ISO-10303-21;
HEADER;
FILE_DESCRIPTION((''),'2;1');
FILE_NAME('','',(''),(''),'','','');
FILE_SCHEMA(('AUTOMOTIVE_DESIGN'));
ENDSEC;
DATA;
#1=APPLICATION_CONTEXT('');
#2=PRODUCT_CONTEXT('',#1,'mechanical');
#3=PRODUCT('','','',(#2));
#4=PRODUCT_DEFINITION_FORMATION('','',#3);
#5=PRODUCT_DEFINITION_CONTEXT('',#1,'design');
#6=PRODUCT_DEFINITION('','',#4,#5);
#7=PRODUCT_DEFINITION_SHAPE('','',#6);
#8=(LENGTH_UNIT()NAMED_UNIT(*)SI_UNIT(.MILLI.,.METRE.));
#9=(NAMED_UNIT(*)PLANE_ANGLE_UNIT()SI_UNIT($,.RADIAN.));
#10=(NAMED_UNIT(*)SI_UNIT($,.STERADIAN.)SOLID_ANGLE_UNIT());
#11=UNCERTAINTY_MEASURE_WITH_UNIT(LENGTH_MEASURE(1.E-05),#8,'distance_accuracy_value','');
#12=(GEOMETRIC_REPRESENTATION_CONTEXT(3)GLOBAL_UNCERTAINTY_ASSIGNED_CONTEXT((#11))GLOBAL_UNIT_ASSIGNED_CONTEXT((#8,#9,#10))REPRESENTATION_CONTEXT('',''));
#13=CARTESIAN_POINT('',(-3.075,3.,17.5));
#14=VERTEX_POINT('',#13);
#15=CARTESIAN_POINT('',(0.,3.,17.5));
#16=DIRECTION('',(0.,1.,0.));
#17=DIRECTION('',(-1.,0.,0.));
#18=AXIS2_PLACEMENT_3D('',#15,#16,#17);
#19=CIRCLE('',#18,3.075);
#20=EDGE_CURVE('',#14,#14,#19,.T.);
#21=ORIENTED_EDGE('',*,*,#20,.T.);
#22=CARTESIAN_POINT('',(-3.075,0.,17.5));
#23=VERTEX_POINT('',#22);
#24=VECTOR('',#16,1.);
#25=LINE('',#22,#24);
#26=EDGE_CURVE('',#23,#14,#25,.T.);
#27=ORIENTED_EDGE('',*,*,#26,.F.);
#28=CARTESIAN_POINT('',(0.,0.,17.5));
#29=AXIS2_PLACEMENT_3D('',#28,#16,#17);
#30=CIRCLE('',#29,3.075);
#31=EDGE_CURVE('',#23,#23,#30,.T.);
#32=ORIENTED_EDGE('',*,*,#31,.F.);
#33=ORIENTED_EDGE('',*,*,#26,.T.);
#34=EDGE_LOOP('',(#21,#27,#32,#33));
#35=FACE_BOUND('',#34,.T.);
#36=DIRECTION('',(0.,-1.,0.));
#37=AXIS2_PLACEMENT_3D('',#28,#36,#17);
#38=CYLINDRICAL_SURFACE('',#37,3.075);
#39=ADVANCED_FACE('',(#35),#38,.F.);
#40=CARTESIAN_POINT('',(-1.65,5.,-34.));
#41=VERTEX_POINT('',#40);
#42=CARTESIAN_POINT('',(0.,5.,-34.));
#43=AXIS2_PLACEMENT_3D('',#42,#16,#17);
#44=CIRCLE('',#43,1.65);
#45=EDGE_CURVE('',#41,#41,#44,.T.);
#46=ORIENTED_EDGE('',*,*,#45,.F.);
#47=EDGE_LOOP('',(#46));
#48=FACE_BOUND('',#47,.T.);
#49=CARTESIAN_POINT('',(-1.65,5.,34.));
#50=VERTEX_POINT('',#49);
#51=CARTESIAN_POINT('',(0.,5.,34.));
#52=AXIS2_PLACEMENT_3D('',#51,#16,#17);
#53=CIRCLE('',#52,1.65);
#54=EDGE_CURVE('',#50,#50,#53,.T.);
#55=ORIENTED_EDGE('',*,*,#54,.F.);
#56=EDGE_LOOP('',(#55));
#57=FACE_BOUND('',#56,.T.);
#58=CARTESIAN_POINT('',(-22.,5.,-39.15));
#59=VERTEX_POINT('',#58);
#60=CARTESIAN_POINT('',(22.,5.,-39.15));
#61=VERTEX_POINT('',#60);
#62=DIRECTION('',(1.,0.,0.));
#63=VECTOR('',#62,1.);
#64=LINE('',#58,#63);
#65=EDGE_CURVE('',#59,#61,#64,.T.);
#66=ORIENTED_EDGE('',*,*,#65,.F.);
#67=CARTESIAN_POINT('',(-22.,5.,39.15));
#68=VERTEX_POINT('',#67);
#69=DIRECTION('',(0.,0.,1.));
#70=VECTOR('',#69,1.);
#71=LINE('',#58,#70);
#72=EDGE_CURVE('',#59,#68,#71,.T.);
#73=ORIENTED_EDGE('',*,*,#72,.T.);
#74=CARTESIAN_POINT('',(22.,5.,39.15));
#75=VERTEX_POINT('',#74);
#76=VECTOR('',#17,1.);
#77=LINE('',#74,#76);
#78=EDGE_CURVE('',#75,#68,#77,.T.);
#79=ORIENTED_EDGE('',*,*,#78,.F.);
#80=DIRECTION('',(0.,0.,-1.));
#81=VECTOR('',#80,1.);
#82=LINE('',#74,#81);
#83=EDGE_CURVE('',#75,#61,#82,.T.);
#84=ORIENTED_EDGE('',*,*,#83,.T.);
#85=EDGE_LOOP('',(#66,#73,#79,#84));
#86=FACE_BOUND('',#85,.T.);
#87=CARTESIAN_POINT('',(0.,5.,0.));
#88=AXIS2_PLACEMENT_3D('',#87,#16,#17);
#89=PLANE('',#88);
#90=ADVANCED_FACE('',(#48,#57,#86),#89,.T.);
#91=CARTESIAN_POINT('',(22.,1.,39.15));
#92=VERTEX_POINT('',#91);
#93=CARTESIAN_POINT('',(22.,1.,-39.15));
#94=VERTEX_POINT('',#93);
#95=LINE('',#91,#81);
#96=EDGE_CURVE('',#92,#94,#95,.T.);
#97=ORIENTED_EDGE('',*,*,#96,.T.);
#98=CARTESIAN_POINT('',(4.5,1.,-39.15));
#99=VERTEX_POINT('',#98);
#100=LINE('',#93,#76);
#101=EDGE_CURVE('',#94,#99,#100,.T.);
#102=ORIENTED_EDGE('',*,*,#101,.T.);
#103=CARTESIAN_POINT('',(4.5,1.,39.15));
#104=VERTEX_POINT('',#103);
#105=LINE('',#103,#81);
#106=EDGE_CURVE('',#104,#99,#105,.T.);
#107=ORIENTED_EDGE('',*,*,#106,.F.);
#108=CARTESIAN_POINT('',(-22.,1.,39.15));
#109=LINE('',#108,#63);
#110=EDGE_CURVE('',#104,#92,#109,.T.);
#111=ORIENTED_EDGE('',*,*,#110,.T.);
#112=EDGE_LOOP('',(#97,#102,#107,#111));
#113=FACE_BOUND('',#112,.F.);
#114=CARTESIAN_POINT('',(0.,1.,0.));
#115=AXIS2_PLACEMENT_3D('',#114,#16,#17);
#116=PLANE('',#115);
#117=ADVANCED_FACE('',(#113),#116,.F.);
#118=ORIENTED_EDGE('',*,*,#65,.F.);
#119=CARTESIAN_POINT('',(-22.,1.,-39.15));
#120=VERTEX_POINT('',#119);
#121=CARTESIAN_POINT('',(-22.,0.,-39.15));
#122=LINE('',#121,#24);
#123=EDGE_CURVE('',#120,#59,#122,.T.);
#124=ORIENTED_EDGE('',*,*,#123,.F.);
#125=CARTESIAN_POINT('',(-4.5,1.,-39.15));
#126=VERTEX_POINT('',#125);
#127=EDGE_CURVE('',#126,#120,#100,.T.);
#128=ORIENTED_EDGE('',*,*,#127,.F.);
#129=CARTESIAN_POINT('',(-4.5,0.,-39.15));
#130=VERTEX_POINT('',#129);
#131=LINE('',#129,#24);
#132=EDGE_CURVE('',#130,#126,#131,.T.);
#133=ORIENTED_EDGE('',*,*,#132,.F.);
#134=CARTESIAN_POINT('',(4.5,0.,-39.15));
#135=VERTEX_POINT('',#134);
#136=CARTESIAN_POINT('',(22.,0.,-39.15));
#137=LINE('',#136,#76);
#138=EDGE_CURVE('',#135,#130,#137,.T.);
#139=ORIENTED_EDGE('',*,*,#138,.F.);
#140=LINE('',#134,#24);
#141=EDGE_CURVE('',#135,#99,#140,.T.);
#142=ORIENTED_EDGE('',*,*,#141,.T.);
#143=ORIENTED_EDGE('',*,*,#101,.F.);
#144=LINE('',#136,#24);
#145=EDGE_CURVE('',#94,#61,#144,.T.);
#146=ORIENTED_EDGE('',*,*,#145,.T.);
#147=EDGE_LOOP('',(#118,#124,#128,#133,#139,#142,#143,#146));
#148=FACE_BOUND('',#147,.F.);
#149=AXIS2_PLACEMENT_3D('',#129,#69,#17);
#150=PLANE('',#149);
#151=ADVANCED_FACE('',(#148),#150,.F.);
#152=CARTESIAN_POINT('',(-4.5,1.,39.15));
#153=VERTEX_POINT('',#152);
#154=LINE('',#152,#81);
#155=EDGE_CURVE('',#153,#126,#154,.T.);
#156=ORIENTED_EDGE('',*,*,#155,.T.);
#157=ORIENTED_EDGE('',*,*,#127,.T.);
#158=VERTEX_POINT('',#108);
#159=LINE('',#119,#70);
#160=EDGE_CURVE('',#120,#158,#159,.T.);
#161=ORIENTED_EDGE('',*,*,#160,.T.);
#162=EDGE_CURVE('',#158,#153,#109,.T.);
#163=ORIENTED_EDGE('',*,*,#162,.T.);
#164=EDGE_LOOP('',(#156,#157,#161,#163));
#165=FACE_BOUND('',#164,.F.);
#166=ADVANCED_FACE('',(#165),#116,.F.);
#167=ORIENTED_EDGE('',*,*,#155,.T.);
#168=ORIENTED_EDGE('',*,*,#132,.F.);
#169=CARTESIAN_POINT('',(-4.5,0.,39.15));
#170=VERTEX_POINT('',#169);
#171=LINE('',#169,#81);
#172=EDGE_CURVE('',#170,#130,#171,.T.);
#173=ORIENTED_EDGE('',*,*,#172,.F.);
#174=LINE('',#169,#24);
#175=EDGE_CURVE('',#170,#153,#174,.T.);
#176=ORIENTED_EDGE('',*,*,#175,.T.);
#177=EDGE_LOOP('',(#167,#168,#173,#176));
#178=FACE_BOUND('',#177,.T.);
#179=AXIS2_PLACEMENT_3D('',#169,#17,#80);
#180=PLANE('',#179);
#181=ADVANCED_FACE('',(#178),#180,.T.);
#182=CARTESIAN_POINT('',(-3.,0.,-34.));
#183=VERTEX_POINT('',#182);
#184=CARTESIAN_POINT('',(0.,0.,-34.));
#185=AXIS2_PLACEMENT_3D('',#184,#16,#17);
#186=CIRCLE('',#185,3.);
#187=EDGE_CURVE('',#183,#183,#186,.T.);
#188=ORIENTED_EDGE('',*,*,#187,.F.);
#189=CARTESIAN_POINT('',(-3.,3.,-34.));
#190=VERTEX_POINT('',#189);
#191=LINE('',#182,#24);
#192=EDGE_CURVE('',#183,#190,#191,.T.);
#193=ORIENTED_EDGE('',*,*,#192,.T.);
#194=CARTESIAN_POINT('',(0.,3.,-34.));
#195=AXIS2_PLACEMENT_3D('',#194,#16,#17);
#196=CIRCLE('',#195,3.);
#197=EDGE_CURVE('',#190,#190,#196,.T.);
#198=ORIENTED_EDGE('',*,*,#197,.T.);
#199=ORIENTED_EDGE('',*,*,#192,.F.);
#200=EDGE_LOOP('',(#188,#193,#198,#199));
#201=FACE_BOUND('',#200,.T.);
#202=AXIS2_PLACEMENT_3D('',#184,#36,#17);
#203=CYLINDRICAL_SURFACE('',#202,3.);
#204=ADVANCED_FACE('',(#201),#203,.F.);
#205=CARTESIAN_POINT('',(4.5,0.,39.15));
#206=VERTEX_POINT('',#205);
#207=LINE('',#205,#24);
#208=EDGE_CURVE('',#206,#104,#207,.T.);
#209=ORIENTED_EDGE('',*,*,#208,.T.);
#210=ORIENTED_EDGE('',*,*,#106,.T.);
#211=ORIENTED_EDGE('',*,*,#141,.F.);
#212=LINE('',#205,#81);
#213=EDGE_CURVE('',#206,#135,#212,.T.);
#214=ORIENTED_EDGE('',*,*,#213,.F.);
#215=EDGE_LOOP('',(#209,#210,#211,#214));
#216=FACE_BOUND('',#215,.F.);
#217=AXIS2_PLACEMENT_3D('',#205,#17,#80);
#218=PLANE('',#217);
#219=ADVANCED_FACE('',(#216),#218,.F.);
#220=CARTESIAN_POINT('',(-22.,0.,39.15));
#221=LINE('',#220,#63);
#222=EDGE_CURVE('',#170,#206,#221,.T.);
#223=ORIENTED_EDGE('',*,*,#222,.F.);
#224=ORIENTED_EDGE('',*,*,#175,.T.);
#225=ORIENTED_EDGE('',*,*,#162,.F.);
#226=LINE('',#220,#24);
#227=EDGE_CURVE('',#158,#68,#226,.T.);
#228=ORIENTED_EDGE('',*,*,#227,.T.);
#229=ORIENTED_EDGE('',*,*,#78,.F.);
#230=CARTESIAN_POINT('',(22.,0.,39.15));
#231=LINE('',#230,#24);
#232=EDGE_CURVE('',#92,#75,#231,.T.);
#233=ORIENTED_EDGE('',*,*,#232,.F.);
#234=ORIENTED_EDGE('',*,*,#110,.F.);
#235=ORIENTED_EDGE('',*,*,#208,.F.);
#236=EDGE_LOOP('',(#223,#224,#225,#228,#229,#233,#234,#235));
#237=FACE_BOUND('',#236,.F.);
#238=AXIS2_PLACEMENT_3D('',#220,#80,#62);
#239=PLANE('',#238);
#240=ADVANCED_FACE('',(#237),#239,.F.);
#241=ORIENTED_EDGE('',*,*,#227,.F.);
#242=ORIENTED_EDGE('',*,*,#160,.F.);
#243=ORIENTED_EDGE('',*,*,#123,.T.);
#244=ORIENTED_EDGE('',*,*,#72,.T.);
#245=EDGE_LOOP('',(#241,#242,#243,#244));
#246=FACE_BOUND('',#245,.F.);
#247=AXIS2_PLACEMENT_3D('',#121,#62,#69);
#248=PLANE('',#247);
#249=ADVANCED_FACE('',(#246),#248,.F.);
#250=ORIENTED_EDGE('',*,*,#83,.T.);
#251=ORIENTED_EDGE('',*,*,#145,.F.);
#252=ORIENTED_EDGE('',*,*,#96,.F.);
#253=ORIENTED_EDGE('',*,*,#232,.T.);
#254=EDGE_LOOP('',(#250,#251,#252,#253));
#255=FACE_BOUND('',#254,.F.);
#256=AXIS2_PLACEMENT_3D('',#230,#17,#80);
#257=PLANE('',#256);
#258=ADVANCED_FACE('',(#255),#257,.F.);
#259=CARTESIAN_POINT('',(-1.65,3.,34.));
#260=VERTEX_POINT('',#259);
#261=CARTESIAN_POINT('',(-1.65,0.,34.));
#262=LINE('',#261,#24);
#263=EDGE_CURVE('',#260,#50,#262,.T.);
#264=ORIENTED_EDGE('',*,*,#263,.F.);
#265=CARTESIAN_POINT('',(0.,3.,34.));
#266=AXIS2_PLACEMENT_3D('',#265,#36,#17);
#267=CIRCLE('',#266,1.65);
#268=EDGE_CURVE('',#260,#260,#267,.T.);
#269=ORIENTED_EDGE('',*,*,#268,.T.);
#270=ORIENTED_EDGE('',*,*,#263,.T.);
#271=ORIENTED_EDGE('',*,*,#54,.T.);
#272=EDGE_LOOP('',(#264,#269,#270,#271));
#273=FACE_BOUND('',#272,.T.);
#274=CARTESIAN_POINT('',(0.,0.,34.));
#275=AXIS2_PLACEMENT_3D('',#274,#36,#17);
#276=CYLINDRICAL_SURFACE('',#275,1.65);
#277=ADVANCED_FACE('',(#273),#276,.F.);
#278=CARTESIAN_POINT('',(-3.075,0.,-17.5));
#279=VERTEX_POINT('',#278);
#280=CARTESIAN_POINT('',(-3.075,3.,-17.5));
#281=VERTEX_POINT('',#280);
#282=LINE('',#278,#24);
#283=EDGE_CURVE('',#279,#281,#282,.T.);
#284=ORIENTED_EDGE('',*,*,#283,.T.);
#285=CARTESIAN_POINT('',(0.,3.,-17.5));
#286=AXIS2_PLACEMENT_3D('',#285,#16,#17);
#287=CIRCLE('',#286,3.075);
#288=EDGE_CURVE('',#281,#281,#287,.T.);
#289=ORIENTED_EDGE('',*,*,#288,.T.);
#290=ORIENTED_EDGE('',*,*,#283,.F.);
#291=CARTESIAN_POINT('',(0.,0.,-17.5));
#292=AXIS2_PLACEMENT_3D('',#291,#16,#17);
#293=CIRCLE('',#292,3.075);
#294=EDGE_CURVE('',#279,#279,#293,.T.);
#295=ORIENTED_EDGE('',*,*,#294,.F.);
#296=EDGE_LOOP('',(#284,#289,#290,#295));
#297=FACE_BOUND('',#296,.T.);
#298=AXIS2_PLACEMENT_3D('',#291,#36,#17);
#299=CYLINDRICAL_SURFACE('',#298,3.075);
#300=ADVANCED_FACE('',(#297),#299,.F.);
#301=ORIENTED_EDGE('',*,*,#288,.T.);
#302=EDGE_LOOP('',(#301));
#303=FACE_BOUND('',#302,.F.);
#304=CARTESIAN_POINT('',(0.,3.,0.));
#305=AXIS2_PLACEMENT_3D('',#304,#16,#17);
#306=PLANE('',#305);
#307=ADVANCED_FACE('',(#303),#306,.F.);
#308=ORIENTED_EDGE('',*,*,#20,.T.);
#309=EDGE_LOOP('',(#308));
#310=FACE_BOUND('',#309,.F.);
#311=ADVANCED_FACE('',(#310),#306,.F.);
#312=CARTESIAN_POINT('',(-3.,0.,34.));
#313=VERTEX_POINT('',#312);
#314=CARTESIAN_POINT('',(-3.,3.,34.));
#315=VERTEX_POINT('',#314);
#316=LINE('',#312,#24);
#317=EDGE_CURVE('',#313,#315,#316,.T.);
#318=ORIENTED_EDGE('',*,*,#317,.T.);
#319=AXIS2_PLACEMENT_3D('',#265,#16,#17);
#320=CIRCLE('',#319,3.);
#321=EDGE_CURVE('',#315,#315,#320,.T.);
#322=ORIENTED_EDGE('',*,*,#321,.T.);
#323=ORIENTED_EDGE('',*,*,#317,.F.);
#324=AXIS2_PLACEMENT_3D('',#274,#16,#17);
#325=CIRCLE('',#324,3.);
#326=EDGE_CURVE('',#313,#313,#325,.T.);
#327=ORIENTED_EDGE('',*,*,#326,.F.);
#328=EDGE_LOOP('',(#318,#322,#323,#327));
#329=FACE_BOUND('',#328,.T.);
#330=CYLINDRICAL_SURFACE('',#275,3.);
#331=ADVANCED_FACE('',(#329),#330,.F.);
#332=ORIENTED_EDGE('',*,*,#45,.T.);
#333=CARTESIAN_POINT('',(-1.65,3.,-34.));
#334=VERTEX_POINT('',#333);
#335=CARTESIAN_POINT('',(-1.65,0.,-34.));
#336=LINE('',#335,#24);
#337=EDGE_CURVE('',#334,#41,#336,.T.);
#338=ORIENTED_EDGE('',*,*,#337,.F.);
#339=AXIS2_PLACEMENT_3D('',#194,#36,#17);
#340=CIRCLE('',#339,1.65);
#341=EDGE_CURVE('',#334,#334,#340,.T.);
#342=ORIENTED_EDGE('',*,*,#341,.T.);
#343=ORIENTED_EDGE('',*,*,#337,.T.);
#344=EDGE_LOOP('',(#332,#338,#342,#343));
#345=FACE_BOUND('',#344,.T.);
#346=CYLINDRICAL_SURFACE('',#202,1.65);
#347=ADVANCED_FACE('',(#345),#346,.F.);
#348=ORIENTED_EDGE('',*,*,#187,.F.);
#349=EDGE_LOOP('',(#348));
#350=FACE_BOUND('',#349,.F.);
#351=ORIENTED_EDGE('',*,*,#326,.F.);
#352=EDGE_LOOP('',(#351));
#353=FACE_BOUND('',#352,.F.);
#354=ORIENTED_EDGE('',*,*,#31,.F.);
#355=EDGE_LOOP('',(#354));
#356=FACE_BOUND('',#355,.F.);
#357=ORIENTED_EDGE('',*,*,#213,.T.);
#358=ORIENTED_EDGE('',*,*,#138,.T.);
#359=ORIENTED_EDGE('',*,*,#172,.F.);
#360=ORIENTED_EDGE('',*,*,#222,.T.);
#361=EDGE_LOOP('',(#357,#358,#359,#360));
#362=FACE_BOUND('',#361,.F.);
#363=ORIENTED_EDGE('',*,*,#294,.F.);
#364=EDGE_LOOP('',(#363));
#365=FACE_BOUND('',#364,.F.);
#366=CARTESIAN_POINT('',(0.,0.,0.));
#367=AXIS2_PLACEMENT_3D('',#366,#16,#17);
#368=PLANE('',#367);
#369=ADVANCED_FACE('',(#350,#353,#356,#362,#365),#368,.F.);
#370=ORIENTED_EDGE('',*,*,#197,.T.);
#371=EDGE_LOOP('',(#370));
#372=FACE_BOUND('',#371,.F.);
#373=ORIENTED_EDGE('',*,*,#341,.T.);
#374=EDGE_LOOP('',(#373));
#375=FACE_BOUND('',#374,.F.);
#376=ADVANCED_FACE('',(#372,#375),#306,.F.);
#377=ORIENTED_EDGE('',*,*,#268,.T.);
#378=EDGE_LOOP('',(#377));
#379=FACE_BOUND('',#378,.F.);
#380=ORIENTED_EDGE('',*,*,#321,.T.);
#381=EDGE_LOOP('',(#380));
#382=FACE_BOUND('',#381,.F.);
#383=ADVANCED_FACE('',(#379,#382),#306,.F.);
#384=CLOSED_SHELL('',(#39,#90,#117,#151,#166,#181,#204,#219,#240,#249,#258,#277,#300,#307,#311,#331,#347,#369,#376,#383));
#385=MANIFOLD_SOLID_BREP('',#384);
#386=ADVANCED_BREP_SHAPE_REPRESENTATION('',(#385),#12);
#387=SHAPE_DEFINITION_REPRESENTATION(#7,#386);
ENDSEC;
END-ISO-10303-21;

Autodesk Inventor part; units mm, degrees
ref_plane "YZ Plane" through (0, 0, 0) normal (1, 0, 0) x (0, 1, 0)
ref_plane "XZ Plane" through (0, 0, 0) normal (0, 1, 0) x (-1, 0, 0)
ref_plane "XY Plane" through (0, 0, 0) normal (0, 0, 1) x (1, 0, 0)
sketch "スケッチ1" plane through (0, 0, 0) normal (0, 1, 0) x (-1, 0, 0)
  line L0 (22, 39.15) -> (-22, 39.15)
  line L1 (-22, 39.15) -> (-22, -39.15)
  line L2 (-22, -39.15) -> (22, -39.15)
  line L3 (22, -39.15) -> (22, 39.15)
  line L4 (22, 39.15) -> (-22, -39.15) construction
  line L5 (-22, 39.15) -> (22, -39.15) construction
  line L6 (0, -54.81) -> (0, 54.81) construction
  line L7 (30.8, 0) -> (-30.8, 0) construction
  circle A0 centre (0, 34) radius 1.65
  circle A1 centre (0, -34) radius 1.65
  circle A2 centre (0, 17.5) radius 3.075
  circle A3 centre (0, -17.5) radius 3.075
  circle A4 centre (0, 34) radius 3
  circle A5 centre (0, -34) radius 3
  line L8 (-4.5, 39.15) -> (-4.5, -39.15)
  line L9 (4.5, 39.15) -> (4.5, -39.15)
  point P0 (0, 0)
  dimension "d0" = 3.3
  dimension "d2" = 44
  dimension "d3" = 78.3
  dimension "d4" = 68
  dimension "d7" = 6.15
  dimension "d8" = 35
  dimension "d9" = 6
  dimension "d14" = 17.5
extrude "押し出し1" add sketch "スケッチ1" along normal blind 5 contours L3 L2 L9 L0 | L9 L2 L8 L0 | L8 L2 L1 L0 | A2 | A3 | A4 | A5
extrude "押し出し2" cut sketch "スケッチ1" along normal blind 3 contours A2 | A3
extrude "押し出し3" cut sketch "スケッチ1" along normal blind 3 contours A0 | A1 | A4 | A5
extrude "押し出し4" cut sketch "スケッチ1" along normal blind 1 contours L3 L2 L9 L0 | L8 L2 L1 L0
properties part number "plathomeusbhub"
